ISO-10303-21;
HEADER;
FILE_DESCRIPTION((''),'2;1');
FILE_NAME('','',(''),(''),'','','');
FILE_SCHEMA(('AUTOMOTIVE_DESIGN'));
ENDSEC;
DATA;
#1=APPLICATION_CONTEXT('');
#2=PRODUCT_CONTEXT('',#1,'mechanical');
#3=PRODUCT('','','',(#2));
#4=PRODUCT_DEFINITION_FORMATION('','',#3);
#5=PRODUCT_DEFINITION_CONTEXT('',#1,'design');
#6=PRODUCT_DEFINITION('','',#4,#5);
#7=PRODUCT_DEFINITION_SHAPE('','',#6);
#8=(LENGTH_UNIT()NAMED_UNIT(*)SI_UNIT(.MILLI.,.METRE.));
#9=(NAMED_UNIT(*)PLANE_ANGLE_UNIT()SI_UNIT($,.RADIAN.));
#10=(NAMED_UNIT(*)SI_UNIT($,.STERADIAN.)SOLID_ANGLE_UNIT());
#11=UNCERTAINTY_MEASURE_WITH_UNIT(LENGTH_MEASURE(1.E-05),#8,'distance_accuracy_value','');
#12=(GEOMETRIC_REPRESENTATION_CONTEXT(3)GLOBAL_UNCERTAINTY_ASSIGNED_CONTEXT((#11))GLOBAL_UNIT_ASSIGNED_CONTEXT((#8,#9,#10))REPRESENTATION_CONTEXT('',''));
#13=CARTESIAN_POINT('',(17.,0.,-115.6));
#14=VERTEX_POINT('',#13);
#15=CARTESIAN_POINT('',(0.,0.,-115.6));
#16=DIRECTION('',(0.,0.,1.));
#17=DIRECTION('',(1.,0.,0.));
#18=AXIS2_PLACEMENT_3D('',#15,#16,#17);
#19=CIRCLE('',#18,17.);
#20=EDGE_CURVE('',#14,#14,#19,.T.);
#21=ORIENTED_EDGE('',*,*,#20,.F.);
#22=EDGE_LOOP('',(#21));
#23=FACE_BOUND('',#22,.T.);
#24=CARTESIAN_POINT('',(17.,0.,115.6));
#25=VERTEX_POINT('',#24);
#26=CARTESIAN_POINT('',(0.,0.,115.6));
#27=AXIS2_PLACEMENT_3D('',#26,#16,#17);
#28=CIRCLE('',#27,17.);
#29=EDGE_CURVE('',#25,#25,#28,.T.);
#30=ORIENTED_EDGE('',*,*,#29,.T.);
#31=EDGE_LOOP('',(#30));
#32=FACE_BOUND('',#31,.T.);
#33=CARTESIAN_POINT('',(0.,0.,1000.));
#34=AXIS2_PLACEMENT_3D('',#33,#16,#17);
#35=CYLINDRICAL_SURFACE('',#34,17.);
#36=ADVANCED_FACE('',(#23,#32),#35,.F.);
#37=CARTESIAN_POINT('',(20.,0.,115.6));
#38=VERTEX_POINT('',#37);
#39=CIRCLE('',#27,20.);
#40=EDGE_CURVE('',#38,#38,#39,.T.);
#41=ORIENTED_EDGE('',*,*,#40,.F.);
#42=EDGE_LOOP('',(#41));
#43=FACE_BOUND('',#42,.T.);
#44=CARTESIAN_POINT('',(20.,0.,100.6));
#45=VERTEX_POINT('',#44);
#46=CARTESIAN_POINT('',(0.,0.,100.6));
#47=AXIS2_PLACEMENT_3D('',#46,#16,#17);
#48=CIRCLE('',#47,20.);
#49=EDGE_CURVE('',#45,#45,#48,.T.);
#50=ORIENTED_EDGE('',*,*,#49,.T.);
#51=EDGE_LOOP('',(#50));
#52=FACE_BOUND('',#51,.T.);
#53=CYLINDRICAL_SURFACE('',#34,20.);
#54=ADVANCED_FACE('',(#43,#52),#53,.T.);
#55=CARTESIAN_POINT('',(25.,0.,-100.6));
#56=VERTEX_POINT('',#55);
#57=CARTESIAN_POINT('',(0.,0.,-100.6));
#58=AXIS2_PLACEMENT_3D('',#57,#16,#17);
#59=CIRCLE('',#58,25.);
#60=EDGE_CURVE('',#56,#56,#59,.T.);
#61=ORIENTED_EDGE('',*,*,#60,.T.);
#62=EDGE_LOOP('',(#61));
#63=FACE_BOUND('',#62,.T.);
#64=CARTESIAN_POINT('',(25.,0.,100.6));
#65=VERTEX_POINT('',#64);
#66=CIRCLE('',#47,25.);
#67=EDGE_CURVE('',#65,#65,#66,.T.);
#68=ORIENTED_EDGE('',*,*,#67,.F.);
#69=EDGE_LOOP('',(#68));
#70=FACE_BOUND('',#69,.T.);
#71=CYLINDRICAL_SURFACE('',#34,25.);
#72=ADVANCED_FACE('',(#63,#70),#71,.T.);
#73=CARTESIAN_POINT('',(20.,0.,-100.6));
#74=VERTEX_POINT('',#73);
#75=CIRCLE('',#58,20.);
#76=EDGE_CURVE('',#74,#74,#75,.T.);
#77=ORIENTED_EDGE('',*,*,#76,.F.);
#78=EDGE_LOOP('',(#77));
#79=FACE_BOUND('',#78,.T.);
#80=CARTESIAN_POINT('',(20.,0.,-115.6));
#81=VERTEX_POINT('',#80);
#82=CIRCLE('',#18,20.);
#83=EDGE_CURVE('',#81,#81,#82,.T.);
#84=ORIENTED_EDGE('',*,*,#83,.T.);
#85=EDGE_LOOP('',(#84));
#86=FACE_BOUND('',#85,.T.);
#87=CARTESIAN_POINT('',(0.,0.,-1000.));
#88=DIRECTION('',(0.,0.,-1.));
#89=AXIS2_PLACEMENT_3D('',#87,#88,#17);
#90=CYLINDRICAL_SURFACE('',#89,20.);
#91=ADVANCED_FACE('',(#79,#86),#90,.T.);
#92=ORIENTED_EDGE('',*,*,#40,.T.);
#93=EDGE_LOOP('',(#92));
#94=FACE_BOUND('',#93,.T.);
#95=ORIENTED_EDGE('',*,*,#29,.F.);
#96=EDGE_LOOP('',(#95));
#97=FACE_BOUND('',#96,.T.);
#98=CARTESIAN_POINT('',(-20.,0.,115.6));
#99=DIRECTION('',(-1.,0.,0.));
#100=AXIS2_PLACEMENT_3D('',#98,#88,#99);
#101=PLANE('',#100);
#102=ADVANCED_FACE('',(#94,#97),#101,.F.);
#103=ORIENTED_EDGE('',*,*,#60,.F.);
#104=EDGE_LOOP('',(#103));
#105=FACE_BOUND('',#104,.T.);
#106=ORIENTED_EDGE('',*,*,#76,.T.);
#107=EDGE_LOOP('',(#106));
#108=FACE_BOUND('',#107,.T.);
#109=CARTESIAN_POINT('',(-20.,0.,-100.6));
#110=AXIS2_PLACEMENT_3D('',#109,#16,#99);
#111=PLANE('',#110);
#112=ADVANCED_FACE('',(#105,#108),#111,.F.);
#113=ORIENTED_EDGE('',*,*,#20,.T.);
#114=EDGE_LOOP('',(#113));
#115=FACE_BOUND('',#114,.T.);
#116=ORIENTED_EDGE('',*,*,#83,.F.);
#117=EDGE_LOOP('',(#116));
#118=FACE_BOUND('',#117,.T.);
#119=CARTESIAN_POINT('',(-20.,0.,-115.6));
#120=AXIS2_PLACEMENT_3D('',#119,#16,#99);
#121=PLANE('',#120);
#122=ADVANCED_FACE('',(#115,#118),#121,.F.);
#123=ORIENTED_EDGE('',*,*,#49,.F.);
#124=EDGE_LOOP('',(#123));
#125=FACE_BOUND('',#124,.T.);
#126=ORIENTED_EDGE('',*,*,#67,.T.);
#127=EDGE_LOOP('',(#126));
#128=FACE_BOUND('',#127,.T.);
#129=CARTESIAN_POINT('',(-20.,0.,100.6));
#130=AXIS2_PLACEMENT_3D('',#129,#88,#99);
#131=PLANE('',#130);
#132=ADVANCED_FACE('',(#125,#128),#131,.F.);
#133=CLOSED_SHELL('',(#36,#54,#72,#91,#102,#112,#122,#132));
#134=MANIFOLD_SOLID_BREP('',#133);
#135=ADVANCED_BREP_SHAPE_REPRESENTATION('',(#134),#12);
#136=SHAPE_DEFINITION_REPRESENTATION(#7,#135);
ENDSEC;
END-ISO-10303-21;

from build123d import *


with BuildPart() as part:
    # Эскиз1 → Повернуть1 (revolve)
    with BuildSketch(Plane(origin=(0, 0, 0), x_dir=(1, 0, 0), z_dir=(0, 1, 0)), mode=Mode.PRIVATE) as revolve_1_sk:
        Polygon((-25, 0), (-17, 0), (-17, -115.6), (-20, -115.6), (-20, -100.6), (-25, -100.6), align=None)
    revolve_1 = revolve(revolve_1_sk.sketch.rotate(Axis((0, 0, 1000), (0, 0, -1)), 180), axis=Axis((0, 0, 1000), (0, 0, -1)))

    # Зеркальное отражение1: Повернуть1 across plane
    add(revolve_1.mirror(Plane(origin=(-25, 0, 0), x_dir=(1, 0, 0), z_dir=(0, 0, 1))))


solid = part.part
